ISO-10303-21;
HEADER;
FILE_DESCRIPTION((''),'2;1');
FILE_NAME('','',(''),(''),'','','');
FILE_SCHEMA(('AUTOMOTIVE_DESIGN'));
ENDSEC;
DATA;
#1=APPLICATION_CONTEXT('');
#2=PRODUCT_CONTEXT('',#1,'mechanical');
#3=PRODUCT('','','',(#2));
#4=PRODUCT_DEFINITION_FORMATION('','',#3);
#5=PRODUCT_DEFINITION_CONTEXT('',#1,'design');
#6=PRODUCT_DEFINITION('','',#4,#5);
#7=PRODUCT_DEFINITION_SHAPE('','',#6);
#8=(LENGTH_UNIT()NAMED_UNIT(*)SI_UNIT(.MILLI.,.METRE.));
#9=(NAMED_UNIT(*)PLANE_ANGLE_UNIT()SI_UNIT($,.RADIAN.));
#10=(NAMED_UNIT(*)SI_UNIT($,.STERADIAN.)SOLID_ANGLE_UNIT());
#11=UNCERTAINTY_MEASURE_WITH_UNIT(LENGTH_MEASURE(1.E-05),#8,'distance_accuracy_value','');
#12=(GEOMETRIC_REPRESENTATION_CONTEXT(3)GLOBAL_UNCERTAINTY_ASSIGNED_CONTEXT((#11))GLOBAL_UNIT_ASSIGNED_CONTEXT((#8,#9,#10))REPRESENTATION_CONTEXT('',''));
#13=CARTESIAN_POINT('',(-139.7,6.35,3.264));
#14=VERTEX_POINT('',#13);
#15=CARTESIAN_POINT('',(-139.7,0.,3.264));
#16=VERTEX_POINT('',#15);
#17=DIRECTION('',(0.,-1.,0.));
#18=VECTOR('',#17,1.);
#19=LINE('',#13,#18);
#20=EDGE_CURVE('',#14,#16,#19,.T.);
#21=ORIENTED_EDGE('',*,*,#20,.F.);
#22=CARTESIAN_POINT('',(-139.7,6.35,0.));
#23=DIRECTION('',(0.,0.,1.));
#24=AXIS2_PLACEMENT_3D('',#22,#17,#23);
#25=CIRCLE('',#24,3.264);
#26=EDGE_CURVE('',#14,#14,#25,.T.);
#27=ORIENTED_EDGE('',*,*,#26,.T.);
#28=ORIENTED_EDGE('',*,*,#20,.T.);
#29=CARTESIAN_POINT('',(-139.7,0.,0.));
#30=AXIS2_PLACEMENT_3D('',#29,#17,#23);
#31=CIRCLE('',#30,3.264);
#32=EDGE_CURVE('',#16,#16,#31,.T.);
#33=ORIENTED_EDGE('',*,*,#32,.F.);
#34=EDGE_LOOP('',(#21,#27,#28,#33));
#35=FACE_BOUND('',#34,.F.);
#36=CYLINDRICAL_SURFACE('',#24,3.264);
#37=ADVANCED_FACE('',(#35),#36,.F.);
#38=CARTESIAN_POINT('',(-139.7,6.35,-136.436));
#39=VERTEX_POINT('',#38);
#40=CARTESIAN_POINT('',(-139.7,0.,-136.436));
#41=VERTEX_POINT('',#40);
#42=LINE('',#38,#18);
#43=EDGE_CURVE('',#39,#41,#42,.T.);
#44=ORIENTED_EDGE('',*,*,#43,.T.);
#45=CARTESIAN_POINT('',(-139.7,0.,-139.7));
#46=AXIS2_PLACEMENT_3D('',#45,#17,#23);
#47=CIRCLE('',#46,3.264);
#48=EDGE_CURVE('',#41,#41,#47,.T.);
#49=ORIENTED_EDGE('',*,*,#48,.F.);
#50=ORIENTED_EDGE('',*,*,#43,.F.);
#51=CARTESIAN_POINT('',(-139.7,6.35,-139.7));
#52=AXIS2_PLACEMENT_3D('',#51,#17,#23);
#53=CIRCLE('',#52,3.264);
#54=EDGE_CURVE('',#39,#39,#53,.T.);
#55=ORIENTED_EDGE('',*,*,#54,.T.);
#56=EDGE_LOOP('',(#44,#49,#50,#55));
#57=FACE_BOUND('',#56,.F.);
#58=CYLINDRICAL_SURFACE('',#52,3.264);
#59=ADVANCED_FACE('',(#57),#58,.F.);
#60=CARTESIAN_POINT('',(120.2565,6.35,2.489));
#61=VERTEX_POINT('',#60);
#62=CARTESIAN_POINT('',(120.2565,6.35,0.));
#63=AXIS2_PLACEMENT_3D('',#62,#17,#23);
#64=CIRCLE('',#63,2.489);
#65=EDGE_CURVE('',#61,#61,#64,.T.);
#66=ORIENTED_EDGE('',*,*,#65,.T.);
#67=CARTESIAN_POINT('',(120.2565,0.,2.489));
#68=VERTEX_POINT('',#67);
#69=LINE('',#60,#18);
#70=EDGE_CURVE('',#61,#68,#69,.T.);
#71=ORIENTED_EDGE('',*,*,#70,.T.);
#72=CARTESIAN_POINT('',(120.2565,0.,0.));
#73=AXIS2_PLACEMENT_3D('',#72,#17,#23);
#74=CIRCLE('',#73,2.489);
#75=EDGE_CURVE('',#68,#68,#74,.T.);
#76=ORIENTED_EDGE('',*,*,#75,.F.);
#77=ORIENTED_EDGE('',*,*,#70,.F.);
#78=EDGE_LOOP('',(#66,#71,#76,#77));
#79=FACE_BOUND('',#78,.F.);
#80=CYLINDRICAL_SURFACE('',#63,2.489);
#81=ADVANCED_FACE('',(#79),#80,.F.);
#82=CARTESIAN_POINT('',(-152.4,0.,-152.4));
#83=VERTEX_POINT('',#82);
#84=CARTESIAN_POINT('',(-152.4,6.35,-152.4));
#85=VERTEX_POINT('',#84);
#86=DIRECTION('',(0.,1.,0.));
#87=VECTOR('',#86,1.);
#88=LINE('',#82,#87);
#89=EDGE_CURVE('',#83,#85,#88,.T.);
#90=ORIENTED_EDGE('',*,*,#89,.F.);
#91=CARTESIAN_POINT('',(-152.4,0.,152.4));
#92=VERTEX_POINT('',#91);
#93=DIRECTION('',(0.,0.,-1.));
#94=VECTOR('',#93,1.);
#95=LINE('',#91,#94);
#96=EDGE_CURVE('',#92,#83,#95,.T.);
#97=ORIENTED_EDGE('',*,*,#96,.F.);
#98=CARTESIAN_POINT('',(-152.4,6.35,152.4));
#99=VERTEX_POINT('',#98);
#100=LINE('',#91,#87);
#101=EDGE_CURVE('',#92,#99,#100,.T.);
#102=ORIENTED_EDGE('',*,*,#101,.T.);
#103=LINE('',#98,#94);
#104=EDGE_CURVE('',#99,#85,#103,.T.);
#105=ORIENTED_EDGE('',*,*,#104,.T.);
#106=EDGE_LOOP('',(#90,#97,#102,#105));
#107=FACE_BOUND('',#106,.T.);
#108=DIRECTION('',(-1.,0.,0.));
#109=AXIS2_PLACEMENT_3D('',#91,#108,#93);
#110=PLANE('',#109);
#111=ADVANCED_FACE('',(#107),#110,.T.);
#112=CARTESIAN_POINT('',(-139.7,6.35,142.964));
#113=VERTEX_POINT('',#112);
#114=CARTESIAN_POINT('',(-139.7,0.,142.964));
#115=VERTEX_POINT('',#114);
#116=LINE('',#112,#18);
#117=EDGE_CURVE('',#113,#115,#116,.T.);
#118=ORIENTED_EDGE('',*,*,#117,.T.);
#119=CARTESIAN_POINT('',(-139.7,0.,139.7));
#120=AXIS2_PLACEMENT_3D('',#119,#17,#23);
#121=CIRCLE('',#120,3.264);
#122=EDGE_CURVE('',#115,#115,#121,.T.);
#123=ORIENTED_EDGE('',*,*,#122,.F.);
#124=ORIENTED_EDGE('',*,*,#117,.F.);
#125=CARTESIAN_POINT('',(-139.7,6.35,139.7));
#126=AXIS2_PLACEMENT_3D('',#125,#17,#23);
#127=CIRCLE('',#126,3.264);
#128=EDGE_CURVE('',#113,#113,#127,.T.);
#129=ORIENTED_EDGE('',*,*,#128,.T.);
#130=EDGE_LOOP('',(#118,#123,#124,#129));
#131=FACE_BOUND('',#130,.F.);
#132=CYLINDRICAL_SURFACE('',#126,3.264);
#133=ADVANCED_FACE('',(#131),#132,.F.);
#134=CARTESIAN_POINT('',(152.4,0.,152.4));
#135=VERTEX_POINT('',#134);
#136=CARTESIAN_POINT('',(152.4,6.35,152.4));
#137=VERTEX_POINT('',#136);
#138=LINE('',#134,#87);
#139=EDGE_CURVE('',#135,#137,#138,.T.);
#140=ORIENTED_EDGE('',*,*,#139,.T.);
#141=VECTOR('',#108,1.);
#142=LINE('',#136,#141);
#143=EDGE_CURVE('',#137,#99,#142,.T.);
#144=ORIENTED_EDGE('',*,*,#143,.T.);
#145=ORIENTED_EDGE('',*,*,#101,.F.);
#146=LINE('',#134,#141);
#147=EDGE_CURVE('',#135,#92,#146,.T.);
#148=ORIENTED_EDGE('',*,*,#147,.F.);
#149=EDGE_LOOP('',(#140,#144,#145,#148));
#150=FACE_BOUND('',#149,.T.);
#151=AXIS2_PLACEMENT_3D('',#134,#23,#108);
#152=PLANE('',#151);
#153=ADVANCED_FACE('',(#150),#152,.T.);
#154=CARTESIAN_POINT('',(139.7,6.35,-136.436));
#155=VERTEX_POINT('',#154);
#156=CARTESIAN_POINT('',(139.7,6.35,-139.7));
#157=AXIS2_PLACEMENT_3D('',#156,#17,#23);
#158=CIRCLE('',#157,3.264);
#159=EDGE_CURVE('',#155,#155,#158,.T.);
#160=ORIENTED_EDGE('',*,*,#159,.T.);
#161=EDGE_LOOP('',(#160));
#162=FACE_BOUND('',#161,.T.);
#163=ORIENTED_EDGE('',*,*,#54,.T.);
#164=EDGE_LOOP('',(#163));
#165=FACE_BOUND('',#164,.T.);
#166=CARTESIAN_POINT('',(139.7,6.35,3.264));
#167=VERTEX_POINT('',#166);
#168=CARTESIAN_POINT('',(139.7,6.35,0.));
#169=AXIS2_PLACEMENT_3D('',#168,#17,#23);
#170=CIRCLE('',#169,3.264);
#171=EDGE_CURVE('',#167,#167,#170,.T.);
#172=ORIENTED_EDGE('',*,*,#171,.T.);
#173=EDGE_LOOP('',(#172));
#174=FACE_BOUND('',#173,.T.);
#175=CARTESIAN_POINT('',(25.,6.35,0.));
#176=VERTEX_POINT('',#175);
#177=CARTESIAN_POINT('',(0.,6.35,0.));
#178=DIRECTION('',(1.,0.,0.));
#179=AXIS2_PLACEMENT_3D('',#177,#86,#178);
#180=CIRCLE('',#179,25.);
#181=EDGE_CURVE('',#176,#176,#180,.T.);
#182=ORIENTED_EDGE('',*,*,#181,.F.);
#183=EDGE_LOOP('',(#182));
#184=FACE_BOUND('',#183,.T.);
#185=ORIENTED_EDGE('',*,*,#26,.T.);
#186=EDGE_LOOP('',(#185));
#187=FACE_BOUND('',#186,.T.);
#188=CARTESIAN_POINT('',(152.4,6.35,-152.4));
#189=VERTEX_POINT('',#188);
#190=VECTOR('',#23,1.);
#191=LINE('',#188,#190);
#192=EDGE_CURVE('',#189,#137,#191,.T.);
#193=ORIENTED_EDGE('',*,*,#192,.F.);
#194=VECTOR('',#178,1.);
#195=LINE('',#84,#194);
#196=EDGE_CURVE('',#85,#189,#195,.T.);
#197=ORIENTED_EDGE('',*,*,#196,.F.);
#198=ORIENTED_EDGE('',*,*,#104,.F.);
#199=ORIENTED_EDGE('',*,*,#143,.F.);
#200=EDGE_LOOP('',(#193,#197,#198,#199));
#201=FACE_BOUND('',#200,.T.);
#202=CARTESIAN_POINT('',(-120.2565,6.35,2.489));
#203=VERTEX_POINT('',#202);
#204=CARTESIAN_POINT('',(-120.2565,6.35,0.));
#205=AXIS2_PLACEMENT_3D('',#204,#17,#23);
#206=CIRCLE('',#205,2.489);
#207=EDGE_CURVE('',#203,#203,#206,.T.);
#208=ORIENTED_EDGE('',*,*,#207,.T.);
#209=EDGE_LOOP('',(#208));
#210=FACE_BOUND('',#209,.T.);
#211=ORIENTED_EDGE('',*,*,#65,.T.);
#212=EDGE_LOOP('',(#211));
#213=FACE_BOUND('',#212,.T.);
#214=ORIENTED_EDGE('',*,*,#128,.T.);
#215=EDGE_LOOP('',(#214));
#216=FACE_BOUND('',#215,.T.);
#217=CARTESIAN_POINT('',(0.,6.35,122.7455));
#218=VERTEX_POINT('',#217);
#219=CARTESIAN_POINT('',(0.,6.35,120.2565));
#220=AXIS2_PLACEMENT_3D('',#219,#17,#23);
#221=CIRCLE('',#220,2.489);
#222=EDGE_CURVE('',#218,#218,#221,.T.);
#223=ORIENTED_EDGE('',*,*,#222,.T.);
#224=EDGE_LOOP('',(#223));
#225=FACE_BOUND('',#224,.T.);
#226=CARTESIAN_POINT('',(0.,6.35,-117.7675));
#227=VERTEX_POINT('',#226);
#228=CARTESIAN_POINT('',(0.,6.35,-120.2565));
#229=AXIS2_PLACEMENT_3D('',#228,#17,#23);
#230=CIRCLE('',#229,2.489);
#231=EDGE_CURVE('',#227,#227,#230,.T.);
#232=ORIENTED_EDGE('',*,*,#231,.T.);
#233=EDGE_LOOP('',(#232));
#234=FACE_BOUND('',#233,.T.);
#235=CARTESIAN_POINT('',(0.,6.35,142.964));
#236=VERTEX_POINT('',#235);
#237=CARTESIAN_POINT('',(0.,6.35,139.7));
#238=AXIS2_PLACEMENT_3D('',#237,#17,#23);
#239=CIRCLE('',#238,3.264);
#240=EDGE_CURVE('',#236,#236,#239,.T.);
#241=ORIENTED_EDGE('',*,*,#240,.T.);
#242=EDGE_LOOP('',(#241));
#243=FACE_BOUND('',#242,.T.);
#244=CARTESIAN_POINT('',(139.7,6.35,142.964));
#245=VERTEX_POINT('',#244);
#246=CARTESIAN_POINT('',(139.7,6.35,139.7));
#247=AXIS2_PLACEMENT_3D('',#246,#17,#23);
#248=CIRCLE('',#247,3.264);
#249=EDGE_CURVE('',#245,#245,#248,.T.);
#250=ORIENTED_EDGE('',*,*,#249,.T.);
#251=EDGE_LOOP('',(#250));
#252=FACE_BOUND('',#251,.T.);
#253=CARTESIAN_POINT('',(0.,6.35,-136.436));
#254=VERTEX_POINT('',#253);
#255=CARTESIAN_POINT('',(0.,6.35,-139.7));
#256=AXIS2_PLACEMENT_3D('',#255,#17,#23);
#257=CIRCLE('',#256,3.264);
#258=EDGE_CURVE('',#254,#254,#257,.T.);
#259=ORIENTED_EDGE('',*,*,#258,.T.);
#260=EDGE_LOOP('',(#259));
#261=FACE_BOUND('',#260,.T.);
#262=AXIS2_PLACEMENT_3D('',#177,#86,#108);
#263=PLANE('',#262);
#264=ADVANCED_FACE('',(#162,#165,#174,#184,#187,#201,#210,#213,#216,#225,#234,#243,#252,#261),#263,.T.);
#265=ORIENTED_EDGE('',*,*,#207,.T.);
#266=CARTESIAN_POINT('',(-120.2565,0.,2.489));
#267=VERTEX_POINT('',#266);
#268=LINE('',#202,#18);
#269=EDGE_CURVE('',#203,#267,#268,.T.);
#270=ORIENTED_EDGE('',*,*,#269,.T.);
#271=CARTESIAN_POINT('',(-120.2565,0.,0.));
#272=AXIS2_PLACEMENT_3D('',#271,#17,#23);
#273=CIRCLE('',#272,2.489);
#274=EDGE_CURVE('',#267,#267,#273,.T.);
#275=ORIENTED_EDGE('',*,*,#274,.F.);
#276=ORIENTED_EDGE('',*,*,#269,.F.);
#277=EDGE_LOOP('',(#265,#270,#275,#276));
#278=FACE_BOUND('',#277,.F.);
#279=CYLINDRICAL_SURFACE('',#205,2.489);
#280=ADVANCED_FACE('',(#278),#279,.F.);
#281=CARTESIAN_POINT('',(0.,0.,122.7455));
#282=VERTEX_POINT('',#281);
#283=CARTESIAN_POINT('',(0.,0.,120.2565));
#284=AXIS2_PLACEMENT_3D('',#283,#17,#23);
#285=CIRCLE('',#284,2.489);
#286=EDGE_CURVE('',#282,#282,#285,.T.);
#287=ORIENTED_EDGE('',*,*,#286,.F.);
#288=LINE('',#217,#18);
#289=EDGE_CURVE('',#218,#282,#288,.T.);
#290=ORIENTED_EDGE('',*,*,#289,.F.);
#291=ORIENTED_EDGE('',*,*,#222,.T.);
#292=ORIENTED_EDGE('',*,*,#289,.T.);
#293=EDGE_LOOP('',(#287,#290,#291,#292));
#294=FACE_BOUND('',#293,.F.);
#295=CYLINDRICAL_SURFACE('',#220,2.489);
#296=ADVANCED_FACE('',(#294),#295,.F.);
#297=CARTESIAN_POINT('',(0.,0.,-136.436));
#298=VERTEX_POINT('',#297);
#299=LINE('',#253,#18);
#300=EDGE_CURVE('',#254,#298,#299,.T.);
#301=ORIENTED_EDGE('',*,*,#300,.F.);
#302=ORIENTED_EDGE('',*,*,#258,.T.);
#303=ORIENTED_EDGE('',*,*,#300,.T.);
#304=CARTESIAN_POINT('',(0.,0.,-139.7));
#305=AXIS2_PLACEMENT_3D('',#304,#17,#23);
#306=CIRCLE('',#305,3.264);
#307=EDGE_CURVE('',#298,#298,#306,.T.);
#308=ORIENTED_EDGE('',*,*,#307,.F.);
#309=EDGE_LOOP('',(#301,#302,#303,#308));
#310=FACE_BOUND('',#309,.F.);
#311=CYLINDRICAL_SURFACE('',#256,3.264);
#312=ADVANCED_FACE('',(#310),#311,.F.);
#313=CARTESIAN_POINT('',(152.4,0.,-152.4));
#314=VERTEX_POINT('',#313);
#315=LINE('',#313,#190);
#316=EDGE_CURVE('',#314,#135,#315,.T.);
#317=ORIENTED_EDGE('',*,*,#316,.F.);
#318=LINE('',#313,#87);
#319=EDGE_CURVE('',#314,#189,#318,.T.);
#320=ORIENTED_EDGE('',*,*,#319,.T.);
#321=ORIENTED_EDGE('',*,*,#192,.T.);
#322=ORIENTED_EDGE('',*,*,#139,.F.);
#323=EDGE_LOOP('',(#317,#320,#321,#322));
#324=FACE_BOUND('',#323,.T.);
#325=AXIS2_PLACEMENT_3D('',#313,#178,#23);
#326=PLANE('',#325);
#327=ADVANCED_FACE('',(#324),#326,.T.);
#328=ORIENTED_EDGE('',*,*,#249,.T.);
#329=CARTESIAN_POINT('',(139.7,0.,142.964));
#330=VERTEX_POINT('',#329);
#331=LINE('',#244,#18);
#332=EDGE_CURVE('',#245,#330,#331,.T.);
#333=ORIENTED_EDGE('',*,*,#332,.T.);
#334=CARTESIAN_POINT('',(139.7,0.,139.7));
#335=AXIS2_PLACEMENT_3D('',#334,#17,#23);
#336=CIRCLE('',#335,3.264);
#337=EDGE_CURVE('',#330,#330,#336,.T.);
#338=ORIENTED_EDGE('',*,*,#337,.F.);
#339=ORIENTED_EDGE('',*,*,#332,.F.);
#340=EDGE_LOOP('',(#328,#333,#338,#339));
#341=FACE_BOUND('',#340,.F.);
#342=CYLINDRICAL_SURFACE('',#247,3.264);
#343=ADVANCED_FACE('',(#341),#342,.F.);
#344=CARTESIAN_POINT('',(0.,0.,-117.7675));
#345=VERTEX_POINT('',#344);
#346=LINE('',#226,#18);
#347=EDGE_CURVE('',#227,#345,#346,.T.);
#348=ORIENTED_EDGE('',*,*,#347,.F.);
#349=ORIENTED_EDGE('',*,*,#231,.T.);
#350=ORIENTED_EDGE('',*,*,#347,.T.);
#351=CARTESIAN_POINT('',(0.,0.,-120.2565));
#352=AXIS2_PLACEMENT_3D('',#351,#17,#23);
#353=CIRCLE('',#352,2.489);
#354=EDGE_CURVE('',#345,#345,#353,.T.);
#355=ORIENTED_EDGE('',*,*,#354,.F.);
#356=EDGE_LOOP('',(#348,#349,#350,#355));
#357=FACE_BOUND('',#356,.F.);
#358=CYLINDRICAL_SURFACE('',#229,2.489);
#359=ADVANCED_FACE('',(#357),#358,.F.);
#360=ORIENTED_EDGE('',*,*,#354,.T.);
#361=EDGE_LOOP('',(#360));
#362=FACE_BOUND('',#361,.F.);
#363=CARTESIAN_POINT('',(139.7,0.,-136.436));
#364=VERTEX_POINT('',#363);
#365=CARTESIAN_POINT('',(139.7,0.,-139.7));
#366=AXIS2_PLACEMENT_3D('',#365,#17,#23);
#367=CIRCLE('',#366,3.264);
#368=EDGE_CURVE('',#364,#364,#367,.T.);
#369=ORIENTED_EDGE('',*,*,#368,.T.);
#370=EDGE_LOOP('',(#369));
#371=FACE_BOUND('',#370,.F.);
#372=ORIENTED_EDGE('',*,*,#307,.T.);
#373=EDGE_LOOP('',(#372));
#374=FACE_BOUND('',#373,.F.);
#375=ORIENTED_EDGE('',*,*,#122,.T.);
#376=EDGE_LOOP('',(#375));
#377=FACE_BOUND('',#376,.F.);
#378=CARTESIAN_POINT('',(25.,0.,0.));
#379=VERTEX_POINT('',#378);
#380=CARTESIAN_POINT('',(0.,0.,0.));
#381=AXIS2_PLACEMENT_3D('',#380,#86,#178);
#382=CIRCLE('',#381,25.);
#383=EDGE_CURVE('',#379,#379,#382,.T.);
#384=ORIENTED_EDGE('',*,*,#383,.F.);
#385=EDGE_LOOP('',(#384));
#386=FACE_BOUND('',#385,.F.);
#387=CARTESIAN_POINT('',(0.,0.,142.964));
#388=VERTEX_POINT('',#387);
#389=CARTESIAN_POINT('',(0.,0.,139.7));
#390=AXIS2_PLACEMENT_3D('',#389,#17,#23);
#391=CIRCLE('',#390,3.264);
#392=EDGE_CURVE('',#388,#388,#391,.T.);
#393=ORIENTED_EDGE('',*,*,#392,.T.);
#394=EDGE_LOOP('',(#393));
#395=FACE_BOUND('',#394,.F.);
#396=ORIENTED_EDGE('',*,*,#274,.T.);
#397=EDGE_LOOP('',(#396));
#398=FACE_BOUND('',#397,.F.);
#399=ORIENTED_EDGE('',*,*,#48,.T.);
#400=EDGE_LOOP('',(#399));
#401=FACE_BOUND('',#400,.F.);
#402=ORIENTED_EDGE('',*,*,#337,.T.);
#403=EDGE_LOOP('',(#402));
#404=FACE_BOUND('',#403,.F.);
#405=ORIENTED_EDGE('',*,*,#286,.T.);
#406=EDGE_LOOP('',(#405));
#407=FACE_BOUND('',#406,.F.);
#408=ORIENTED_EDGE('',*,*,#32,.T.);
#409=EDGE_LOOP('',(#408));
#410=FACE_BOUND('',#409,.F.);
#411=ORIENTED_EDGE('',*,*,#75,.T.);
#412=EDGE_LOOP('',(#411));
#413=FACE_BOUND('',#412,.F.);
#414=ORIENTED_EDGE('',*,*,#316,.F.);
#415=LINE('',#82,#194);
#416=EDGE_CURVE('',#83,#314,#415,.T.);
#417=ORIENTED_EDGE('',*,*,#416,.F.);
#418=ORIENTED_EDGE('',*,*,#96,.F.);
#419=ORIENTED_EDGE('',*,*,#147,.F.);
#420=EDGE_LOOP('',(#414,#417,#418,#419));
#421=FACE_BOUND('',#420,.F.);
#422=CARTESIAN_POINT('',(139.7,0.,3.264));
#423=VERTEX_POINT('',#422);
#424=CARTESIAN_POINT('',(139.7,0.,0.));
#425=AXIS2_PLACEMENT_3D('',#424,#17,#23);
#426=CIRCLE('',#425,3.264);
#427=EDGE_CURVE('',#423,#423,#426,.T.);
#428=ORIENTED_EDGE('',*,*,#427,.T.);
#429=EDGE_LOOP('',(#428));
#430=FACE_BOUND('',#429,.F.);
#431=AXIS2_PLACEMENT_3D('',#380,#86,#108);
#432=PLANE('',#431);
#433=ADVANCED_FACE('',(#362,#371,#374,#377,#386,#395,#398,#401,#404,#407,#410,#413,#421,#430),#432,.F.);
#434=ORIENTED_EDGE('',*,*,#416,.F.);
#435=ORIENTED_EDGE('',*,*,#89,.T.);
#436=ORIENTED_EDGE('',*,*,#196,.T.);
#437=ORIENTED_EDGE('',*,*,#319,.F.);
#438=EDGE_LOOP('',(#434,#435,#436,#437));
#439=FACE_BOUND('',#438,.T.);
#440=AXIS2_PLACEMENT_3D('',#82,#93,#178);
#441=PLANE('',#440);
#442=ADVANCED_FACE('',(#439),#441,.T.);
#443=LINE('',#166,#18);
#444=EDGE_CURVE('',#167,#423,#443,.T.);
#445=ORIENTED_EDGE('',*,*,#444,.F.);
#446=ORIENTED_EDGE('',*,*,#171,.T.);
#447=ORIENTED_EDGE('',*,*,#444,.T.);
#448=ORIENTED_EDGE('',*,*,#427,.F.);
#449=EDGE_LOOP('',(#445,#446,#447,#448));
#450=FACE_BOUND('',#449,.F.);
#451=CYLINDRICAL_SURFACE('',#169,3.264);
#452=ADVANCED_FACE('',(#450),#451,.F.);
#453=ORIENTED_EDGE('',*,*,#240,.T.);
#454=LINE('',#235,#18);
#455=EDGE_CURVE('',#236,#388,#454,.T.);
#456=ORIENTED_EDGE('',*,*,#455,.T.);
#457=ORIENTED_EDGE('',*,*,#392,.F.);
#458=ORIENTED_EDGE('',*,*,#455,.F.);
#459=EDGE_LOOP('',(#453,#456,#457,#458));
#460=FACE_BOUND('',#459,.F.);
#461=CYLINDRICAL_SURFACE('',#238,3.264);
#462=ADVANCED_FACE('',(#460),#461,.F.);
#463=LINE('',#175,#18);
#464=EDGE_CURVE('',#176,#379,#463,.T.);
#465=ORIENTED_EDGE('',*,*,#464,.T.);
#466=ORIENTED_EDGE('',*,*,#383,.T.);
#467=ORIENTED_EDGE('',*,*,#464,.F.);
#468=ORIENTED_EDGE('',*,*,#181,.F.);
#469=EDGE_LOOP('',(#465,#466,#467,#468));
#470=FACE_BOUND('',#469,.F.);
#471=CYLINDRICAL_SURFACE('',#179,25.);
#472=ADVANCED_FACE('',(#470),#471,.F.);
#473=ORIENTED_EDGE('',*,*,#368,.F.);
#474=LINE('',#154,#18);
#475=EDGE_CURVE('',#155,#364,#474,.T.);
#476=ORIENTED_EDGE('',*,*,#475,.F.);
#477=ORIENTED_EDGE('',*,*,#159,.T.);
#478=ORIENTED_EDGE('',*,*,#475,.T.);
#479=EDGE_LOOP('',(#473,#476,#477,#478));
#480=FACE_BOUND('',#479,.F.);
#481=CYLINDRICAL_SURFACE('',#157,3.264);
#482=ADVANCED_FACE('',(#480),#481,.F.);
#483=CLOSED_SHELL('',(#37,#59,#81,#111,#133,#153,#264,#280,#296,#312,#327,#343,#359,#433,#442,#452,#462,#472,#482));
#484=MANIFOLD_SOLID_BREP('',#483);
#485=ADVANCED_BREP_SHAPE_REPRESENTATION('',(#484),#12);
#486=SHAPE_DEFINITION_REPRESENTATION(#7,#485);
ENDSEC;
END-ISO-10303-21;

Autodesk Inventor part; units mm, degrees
ref_plane "YZ Plane" through (0, 0, 0) normal (1, 0, 0) x (0, 1, 0)
ref_plane "XZ Plane" through (0, 0, 0) normal (0, 1, 0) x (-1, 0, 0)
ref_plane "XY Plane" through (0, 0, 0) normal (0, 0, 1) x (1, 0, 0)
sketch "Sketch1" plane through (0, 0, 0) normal (0, 1, 0) x (-1, 0, 0)
  line L0 (-152.4, 152.4) -> (152.4, 152.4)
  line L1 (152.4, 152.4) -> (152.4, -152.4)
  line L2 (152.4, -152.4) -> (-152.4, -152.4)
  line L3 (-152.4, -152.4) -> (-152.4, 152.4)
  line L4 (-152.4, 152.4) -> (152.4, -152.4) construction
  line L5 (152.4, 152.4) -> (-152.4, -152.4) construction
  point P0 (0, 0)
  dimension "d0" = 304.8
extrude "Extrusion1" add sketch "Sketch1" along normal blind 6.35
sketch "Sketch4" plane through (0, 6.35, 0) normal (0, 1, 0) x (1, 0, 0)
  line L0 (-152.4, -152.4) -> (152.4, -152.4) construction
  line L1 (152.4, -152.4) -> (152.4, 152.4) construction
  line L2 (152.4, 152.4) -> (-152.4, 152.4) construction
  line L3 (-152.4, 152.4) -> (-152.4, -152.4) construction
  line L4 (139.7, -139.7) -> (-139.7, -139.7) construction
  line L5 (-139.7, -139.7) -> (-139.7, 139.7) construction
  line L6 (-139.7, 139.7) -> (139.7, 139.7) construction
  line L7 (139.7, 139.7) -> (139.7, -139.7) construction
  line L8 (139.7, -139.7) -> (-139.7, 139.7) construction
  line L9 (-139.7, -139.7) -> (139.7, 139.7) construction
  point P0 (0, 0)
  point P1 (0, -139.7)
  point P2 (-139.7, 0)
  point P3 (0, 139.7)
  point P4 (139.7, 0)
  dimension "d21" = 279.4
  dimension "d22" = 279.4
hole "Hole2" at (-139.7, 6.35, 139.7) at (0, 6.35, 139.7) at (-139.7, 6.35, 0) at (-139.7, 6.35, -139.7) at (0, 6.35, -139.7) at (139.7, 6.35, -139.7) at (139.7, 6.35, 0) at (139.7, 6.35, 139.7) direction (0, -1, 0) diameter 6.528 depth 19.05 tip angle 118 clearance for "Socket Head Cap Screw" size "1/4" standard "Ansi Unified Screw Threads"
sketch "Sketch2" plane through (0, 6.35, 0) normal (0, 1, 0) x (1, 0, 0)
  line L0 (-152.4, -152.4) -> (152.4, -152.4) construction
  line L1 (152.4, -152.4) -> (152.4, 152.4) construction
  line L2 (152.4, 152.4) -> (-152.4, 152.4) construction
  line L3 (-152.4, 152.4) -> (-152.4, -152.4) construction
  circle A0 centre (0, 0) radius 120.2565 construction
  line L4 (0, -152.4) -> (0, 152.4) construction
  line L5 (152.4, 152.4) -> (-152.4, 152.4) construction
  line L6 (-152.4, 0) -> (152.4, 0) construction
  point P0 (-120.2565, 0)
  point P1 (0, 120.2565)
  point P2 (120.2565, 0)
  point P3 (0, -120.2565)
  dimension "d3" = 240.513
hole "Hole1" at (-120.2565, 6.35, 0) at (0, 6.35, 120.2565) at (120.2565, 6.35, 0) at (0, 6.35, -120.2565) direction (0, -1, 0) diameter 4.978 depth 19.05 tip angle 118 thread size "1/4-20 UNC" class "2B" standard "ANSI Unified Screw Threads"
sketch "Sketch3" plane through (0, 6.35, 0) normal (0, 1, 0) x (1, 0, 0)
  line L0 (-152.4, -152.4) -> (152.4, -152.4) projected
  line L1 (152.4, -152.4) -> (152.4, 152.4) projected
  line L2 (152.4, 152.4) -> (-152.4, 152.4) projected
  line L3 (-152.4, 152.4) -> (-152.4, -152.4) projected
  circle A0 centre (0, 0) radius 25
  dimension "d18" = 50
extrude "Extrusion3" cut sketch "Sketch3" against normal through all contours A0
properties part number "turntable-adapter-top" material "Acetal Resin, Black"
